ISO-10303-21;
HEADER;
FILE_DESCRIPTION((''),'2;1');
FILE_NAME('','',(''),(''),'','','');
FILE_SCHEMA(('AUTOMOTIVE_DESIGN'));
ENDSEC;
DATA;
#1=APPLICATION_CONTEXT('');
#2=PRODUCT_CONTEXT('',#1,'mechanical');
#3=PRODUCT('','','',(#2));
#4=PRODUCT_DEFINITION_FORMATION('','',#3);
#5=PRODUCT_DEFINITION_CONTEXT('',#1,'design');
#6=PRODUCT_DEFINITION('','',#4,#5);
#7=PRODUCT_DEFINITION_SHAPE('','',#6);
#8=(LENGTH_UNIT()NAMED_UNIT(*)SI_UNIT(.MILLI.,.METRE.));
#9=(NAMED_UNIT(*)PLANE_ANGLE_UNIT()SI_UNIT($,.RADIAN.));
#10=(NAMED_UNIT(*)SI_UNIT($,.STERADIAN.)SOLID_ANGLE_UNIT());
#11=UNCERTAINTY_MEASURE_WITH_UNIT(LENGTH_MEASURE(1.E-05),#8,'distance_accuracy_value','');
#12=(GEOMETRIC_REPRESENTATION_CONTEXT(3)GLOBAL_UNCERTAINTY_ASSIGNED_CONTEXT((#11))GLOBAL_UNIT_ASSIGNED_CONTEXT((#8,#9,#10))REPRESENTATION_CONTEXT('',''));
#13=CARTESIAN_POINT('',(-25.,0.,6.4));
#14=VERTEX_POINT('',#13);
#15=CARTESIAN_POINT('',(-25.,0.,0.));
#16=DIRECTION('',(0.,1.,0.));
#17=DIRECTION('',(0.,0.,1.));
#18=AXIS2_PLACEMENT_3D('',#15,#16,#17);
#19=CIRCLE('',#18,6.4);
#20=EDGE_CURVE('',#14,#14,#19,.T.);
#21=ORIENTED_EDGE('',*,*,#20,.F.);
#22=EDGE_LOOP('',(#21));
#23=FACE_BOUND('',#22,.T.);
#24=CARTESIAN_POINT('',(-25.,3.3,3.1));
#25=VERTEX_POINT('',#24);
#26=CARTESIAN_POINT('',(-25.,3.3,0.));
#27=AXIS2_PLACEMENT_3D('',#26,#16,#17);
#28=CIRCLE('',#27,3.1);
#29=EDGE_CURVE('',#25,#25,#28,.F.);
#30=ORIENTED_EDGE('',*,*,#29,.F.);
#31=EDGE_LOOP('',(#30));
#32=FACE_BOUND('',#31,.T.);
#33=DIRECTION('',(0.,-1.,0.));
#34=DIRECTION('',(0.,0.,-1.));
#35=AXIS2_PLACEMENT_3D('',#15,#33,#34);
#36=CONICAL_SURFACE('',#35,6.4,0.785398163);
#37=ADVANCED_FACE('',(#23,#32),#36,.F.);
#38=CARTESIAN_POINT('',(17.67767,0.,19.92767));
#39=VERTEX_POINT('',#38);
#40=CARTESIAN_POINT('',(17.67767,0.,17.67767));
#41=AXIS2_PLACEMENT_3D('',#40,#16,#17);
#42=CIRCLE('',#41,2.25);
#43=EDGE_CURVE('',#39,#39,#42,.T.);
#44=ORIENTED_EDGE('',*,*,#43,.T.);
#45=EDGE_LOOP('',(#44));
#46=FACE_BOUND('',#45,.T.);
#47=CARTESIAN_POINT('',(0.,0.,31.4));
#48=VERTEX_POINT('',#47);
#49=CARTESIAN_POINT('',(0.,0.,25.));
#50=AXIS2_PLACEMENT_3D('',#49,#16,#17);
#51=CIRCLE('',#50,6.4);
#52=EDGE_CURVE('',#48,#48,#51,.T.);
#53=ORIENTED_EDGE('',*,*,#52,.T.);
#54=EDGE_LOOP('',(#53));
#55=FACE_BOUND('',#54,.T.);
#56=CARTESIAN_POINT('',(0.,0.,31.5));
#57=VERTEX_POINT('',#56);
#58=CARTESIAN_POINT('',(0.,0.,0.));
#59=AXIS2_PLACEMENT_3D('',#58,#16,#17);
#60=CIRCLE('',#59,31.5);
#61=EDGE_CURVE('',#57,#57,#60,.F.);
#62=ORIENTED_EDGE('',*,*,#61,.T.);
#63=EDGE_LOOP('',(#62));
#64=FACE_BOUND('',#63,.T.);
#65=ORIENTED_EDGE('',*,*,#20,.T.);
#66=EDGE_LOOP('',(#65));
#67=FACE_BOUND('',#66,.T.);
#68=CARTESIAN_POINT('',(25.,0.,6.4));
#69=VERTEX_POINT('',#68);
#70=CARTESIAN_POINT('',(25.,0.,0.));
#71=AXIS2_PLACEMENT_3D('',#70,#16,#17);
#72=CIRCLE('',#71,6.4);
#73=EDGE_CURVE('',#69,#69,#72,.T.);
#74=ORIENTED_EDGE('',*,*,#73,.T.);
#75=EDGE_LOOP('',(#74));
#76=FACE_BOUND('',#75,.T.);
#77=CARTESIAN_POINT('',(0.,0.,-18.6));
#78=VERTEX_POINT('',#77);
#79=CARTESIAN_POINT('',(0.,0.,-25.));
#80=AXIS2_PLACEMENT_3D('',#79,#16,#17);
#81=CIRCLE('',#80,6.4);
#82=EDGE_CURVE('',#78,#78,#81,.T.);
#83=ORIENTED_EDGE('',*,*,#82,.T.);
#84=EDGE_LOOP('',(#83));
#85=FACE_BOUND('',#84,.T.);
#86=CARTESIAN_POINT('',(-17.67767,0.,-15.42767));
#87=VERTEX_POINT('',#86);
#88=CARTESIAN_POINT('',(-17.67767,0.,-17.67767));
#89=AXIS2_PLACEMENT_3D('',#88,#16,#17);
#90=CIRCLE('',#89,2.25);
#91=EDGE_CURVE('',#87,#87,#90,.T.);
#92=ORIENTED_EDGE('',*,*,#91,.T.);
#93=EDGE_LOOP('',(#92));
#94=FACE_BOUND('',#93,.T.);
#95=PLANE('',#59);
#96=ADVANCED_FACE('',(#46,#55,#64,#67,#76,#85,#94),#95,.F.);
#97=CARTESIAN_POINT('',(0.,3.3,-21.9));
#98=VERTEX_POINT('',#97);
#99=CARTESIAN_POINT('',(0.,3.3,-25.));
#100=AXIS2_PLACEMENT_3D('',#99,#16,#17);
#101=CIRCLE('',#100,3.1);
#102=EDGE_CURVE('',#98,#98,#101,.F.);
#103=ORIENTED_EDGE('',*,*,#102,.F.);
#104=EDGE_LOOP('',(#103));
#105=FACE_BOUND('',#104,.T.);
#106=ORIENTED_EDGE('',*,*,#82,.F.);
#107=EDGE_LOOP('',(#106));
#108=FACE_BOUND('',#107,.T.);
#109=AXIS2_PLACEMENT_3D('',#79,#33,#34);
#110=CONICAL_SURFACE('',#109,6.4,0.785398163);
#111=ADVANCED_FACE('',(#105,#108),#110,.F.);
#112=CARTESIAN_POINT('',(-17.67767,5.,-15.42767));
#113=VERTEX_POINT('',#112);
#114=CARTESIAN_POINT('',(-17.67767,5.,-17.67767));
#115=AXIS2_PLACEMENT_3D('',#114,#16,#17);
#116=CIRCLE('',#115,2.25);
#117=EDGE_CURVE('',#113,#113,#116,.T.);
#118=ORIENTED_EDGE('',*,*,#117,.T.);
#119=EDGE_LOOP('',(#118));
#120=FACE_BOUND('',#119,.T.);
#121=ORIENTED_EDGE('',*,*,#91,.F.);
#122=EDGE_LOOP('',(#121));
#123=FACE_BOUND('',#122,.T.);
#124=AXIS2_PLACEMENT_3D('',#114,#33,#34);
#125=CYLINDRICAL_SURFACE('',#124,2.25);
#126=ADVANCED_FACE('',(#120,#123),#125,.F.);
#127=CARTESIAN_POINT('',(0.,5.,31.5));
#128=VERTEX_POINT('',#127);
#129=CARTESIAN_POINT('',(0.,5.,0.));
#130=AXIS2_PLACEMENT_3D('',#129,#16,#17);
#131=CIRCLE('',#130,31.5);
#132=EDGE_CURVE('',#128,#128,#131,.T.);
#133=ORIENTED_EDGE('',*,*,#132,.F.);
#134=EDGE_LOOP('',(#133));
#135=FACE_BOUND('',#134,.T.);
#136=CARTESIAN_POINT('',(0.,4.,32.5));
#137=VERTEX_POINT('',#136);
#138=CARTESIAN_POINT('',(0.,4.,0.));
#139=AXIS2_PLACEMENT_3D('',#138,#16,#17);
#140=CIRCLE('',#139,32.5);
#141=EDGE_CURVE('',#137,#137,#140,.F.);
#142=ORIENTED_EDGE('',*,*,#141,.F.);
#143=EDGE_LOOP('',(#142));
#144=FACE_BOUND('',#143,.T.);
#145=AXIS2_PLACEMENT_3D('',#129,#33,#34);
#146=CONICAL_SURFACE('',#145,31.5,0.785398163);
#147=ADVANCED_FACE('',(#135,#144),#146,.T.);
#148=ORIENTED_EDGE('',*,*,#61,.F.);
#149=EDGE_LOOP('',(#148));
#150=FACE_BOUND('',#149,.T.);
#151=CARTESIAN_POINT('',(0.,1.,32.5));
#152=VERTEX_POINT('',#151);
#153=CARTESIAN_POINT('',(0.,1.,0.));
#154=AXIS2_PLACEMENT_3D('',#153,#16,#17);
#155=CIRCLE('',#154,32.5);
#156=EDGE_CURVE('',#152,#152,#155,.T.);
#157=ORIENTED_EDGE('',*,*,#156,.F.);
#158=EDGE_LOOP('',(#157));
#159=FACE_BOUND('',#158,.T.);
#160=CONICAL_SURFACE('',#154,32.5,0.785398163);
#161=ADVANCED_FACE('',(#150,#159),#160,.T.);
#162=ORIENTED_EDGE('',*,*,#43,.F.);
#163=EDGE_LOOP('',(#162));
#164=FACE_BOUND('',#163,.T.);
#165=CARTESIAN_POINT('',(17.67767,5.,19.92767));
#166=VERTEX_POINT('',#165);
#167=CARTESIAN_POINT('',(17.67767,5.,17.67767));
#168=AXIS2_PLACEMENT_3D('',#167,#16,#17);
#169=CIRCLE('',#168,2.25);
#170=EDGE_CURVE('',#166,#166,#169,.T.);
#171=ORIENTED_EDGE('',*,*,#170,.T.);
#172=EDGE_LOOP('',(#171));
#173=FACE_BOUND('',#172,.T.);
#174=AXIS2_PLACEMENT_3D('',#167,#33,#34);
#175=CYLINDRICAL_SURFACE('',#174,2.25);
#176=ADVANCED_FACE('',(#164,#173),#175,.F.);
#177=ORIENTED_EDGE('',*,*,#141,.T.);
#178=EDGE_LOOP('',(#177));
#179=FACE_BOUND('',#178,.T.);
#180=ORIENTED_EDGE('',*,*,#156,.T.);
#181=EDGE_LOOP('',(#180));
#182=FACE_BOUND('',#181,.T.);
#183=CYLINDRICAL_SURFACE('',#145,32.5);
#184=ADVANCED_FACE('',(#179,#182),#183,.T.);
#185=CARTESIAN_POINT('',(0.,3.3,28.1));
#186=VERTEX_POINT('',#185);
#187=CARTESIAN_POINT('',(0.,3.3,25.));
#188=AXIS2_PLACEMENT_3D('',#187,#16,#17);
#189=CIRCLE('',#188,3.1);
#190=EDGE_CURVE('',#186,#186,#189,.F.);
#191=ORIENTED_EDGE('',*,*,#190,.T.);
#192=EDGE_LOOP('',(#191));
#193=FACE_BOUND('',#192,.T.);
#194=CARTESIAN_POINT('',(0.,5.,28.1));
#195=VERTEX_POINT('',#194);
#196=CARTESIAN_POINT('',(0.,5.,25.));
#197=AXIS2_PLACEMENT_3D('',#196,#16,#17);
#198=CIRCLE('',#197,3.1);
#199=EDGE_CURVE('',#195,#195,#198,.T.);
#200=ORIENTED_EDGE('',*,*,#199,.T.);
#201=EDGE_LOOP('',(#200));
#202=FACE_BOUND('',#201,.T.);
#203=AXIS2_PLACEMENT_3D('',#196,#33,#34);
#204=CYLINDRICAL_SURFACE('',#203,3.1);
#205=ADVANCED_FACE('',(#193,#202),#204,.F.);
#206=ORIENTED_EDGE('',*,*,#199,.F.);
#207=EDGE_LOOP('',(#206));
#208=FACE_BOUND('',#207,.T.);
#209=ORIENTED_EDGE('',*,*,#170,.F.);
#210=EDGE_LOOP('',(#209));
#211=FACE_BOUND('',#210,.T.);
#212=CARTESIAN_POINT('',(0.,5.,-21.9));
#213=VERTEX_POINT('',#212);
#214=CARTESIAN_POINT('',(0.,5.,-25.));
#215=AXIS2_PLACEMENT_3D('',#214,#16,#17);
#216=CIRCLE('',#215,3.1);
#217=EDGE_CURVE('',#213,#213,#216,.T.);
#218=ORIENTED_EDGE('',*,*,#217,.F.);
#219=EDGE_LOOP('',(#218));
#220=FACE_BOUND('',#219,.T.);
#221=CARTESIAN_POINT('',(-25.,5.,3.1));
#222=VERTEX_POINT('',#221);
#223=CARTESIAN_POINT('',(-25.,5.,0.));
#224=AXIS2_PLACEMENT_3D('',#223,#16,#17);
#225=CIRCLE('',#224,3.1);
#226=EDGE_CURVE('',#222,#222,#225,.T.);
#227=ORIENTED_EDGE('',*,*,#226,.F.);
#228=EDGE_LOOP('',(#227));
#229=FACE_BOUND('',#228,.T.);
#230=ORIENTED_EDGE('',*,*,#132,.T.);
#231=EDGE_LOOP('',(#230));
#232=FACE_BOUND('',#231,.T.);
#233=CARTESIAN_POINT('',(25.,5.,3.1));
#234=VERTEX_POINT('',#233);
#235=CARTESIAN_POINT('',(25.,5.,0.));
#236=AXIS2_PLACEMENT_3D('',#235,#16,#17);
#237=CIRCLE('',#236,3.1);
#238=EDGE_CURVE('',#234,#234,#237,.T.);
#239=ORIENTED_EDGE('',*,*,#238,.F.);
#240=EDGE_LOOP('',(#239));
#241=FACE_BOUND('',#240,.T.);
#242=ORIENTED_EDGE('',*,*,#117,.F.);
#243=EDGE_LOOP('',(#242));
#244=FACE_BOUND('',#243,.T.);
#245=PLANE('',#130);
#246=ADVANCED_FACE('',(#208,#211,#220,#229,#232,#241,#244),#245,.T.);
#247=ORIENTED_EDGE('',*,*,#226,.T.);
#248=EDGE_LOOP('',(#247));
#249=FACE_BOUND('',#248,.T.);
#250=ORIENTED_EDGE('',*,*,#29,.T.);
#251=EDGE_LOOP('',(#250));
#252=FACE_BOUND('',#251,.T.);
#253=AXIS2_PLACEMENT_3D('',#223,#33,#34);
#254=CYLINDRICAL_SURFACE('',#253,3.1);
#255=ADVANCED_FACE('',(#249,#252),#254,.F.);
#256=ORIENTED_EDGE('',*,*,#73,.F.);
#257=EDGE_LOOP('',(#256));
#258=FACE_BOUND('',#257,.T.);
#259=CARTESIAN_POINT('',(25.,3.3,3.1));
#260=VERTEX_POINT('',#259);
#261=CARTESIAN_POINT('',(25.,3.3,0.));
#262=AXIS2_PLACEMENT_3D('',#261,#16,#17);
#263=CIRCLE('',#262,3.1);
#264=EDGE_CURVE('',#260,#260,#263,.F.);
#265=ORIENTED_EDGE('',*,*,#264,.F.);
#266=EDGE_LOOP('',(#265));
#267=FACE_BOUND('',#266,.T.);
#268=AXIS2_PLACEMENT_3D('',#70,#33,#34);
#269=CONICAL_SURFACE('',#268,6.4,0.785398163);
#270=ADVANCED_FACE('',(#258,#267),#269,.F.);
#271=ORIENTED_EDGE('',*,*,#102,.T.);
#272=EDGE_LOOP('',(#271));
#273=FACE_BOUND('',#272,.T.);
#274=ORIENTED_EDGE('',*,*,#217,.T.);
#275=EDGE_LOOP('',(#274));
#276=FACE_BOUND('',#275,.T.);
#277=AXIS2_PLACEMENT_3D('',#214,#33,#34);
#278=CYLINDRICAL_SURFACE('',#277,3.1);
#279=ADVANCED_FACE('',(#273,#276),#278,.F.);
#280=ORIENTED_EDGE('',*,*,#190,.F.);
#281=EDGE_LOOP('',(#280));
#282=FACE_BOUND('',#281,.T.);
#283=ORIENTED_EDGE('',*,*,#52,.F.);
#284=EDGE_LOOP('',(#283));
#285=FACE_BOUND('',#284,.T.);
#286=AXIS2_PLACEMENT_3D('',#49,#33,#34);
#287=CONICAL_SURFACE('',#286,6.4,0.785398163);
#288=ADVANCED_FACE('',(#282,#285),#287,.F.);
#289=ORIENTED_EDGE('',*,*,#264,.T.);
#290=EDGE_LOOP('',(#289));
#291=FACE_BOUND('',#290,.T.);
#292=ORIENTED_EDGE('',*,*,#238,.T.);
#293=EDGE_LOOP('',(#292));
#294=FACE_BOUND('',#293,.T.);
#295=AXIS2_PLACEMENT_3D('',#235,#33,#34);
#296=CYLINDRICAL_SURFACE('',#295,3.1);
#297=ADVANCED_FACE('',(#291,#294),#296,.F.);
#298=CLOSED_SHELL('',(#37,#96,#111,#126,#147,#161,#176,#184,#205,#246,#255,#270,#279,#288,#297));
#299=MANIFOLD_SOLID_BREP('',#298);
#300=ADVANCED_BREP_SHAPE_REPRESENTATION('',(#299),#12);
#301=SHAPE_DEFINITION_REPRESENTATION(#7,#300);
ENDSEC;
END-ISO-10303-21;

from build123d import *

# Parameters (mm, degrees)
SKETCH1_R           = 32.5
SKETCH1_R_2         = 3.1
SKETCH1_R_3         = 2.25
BOSS_EXTRUDE1_DEPTH = 5
CHAMFER1_SIZE       = 3.3
CHAMFER2_SIZE       = 1


with BuildPart() as part:
    # Sketch1 → Boss-Extrude1 (new body)
    with BuildSketch(Plane(origin=(0, 0, 0), x_dir=(1, 0, 0), z_dir=(0, 1, 0))):
        Circle(SKETCH1_R)
        with Locations((0, 25)):
            Circle(SKETCH1_R_2, mode=Mode.SUBTRACT)
        with Locations((25, 0)):
            Circle(SKETCH1_R_2, mode=Mode.SUBTRACT)
        with Locations((0, -25)):
            Circle(SKETCH1_R_2, mode=Mode.SUBTRACT)
        with Locations((-25, 0)):
            Circle(SKETCH1_R_2, mode=Mode.SUBTRACT)
        with Locations((-17.67766953, 17.67766953)):
            Circle(SKETCH1_R_3, mode=Mode.SUBTRACT)
        with Locations((17.67766953, -17.67766953)):
            Circle(SKETCH1_R_3, mode=Mode.SUBTRACT)
    extrude(amount=BOSS_EXTRUDE1_DEPTH)

    # Chamfer1
    chamfer1_edges = [part.edges().sort_by_distance(p)[0] for p in [
        (-3.1, 0, -25),
        (21.9, 0, 0),
        (-3.1, 0, 25),
        (-28.1, 0, 0),
    ]]
    chamfer(chamfer1_edges, length=CHAMFER1_SIZE)

    # Chamfer2
    chamfer2_edges = [part.edges().sort_by_distance(p)[0] for p in [
        (-32.5, 5, 0),
        (-32.5, 0, 0),
    ]]
    chamfer(chamfer2_edges, length=CHAMFER2_SIZE)


solid = part.part
